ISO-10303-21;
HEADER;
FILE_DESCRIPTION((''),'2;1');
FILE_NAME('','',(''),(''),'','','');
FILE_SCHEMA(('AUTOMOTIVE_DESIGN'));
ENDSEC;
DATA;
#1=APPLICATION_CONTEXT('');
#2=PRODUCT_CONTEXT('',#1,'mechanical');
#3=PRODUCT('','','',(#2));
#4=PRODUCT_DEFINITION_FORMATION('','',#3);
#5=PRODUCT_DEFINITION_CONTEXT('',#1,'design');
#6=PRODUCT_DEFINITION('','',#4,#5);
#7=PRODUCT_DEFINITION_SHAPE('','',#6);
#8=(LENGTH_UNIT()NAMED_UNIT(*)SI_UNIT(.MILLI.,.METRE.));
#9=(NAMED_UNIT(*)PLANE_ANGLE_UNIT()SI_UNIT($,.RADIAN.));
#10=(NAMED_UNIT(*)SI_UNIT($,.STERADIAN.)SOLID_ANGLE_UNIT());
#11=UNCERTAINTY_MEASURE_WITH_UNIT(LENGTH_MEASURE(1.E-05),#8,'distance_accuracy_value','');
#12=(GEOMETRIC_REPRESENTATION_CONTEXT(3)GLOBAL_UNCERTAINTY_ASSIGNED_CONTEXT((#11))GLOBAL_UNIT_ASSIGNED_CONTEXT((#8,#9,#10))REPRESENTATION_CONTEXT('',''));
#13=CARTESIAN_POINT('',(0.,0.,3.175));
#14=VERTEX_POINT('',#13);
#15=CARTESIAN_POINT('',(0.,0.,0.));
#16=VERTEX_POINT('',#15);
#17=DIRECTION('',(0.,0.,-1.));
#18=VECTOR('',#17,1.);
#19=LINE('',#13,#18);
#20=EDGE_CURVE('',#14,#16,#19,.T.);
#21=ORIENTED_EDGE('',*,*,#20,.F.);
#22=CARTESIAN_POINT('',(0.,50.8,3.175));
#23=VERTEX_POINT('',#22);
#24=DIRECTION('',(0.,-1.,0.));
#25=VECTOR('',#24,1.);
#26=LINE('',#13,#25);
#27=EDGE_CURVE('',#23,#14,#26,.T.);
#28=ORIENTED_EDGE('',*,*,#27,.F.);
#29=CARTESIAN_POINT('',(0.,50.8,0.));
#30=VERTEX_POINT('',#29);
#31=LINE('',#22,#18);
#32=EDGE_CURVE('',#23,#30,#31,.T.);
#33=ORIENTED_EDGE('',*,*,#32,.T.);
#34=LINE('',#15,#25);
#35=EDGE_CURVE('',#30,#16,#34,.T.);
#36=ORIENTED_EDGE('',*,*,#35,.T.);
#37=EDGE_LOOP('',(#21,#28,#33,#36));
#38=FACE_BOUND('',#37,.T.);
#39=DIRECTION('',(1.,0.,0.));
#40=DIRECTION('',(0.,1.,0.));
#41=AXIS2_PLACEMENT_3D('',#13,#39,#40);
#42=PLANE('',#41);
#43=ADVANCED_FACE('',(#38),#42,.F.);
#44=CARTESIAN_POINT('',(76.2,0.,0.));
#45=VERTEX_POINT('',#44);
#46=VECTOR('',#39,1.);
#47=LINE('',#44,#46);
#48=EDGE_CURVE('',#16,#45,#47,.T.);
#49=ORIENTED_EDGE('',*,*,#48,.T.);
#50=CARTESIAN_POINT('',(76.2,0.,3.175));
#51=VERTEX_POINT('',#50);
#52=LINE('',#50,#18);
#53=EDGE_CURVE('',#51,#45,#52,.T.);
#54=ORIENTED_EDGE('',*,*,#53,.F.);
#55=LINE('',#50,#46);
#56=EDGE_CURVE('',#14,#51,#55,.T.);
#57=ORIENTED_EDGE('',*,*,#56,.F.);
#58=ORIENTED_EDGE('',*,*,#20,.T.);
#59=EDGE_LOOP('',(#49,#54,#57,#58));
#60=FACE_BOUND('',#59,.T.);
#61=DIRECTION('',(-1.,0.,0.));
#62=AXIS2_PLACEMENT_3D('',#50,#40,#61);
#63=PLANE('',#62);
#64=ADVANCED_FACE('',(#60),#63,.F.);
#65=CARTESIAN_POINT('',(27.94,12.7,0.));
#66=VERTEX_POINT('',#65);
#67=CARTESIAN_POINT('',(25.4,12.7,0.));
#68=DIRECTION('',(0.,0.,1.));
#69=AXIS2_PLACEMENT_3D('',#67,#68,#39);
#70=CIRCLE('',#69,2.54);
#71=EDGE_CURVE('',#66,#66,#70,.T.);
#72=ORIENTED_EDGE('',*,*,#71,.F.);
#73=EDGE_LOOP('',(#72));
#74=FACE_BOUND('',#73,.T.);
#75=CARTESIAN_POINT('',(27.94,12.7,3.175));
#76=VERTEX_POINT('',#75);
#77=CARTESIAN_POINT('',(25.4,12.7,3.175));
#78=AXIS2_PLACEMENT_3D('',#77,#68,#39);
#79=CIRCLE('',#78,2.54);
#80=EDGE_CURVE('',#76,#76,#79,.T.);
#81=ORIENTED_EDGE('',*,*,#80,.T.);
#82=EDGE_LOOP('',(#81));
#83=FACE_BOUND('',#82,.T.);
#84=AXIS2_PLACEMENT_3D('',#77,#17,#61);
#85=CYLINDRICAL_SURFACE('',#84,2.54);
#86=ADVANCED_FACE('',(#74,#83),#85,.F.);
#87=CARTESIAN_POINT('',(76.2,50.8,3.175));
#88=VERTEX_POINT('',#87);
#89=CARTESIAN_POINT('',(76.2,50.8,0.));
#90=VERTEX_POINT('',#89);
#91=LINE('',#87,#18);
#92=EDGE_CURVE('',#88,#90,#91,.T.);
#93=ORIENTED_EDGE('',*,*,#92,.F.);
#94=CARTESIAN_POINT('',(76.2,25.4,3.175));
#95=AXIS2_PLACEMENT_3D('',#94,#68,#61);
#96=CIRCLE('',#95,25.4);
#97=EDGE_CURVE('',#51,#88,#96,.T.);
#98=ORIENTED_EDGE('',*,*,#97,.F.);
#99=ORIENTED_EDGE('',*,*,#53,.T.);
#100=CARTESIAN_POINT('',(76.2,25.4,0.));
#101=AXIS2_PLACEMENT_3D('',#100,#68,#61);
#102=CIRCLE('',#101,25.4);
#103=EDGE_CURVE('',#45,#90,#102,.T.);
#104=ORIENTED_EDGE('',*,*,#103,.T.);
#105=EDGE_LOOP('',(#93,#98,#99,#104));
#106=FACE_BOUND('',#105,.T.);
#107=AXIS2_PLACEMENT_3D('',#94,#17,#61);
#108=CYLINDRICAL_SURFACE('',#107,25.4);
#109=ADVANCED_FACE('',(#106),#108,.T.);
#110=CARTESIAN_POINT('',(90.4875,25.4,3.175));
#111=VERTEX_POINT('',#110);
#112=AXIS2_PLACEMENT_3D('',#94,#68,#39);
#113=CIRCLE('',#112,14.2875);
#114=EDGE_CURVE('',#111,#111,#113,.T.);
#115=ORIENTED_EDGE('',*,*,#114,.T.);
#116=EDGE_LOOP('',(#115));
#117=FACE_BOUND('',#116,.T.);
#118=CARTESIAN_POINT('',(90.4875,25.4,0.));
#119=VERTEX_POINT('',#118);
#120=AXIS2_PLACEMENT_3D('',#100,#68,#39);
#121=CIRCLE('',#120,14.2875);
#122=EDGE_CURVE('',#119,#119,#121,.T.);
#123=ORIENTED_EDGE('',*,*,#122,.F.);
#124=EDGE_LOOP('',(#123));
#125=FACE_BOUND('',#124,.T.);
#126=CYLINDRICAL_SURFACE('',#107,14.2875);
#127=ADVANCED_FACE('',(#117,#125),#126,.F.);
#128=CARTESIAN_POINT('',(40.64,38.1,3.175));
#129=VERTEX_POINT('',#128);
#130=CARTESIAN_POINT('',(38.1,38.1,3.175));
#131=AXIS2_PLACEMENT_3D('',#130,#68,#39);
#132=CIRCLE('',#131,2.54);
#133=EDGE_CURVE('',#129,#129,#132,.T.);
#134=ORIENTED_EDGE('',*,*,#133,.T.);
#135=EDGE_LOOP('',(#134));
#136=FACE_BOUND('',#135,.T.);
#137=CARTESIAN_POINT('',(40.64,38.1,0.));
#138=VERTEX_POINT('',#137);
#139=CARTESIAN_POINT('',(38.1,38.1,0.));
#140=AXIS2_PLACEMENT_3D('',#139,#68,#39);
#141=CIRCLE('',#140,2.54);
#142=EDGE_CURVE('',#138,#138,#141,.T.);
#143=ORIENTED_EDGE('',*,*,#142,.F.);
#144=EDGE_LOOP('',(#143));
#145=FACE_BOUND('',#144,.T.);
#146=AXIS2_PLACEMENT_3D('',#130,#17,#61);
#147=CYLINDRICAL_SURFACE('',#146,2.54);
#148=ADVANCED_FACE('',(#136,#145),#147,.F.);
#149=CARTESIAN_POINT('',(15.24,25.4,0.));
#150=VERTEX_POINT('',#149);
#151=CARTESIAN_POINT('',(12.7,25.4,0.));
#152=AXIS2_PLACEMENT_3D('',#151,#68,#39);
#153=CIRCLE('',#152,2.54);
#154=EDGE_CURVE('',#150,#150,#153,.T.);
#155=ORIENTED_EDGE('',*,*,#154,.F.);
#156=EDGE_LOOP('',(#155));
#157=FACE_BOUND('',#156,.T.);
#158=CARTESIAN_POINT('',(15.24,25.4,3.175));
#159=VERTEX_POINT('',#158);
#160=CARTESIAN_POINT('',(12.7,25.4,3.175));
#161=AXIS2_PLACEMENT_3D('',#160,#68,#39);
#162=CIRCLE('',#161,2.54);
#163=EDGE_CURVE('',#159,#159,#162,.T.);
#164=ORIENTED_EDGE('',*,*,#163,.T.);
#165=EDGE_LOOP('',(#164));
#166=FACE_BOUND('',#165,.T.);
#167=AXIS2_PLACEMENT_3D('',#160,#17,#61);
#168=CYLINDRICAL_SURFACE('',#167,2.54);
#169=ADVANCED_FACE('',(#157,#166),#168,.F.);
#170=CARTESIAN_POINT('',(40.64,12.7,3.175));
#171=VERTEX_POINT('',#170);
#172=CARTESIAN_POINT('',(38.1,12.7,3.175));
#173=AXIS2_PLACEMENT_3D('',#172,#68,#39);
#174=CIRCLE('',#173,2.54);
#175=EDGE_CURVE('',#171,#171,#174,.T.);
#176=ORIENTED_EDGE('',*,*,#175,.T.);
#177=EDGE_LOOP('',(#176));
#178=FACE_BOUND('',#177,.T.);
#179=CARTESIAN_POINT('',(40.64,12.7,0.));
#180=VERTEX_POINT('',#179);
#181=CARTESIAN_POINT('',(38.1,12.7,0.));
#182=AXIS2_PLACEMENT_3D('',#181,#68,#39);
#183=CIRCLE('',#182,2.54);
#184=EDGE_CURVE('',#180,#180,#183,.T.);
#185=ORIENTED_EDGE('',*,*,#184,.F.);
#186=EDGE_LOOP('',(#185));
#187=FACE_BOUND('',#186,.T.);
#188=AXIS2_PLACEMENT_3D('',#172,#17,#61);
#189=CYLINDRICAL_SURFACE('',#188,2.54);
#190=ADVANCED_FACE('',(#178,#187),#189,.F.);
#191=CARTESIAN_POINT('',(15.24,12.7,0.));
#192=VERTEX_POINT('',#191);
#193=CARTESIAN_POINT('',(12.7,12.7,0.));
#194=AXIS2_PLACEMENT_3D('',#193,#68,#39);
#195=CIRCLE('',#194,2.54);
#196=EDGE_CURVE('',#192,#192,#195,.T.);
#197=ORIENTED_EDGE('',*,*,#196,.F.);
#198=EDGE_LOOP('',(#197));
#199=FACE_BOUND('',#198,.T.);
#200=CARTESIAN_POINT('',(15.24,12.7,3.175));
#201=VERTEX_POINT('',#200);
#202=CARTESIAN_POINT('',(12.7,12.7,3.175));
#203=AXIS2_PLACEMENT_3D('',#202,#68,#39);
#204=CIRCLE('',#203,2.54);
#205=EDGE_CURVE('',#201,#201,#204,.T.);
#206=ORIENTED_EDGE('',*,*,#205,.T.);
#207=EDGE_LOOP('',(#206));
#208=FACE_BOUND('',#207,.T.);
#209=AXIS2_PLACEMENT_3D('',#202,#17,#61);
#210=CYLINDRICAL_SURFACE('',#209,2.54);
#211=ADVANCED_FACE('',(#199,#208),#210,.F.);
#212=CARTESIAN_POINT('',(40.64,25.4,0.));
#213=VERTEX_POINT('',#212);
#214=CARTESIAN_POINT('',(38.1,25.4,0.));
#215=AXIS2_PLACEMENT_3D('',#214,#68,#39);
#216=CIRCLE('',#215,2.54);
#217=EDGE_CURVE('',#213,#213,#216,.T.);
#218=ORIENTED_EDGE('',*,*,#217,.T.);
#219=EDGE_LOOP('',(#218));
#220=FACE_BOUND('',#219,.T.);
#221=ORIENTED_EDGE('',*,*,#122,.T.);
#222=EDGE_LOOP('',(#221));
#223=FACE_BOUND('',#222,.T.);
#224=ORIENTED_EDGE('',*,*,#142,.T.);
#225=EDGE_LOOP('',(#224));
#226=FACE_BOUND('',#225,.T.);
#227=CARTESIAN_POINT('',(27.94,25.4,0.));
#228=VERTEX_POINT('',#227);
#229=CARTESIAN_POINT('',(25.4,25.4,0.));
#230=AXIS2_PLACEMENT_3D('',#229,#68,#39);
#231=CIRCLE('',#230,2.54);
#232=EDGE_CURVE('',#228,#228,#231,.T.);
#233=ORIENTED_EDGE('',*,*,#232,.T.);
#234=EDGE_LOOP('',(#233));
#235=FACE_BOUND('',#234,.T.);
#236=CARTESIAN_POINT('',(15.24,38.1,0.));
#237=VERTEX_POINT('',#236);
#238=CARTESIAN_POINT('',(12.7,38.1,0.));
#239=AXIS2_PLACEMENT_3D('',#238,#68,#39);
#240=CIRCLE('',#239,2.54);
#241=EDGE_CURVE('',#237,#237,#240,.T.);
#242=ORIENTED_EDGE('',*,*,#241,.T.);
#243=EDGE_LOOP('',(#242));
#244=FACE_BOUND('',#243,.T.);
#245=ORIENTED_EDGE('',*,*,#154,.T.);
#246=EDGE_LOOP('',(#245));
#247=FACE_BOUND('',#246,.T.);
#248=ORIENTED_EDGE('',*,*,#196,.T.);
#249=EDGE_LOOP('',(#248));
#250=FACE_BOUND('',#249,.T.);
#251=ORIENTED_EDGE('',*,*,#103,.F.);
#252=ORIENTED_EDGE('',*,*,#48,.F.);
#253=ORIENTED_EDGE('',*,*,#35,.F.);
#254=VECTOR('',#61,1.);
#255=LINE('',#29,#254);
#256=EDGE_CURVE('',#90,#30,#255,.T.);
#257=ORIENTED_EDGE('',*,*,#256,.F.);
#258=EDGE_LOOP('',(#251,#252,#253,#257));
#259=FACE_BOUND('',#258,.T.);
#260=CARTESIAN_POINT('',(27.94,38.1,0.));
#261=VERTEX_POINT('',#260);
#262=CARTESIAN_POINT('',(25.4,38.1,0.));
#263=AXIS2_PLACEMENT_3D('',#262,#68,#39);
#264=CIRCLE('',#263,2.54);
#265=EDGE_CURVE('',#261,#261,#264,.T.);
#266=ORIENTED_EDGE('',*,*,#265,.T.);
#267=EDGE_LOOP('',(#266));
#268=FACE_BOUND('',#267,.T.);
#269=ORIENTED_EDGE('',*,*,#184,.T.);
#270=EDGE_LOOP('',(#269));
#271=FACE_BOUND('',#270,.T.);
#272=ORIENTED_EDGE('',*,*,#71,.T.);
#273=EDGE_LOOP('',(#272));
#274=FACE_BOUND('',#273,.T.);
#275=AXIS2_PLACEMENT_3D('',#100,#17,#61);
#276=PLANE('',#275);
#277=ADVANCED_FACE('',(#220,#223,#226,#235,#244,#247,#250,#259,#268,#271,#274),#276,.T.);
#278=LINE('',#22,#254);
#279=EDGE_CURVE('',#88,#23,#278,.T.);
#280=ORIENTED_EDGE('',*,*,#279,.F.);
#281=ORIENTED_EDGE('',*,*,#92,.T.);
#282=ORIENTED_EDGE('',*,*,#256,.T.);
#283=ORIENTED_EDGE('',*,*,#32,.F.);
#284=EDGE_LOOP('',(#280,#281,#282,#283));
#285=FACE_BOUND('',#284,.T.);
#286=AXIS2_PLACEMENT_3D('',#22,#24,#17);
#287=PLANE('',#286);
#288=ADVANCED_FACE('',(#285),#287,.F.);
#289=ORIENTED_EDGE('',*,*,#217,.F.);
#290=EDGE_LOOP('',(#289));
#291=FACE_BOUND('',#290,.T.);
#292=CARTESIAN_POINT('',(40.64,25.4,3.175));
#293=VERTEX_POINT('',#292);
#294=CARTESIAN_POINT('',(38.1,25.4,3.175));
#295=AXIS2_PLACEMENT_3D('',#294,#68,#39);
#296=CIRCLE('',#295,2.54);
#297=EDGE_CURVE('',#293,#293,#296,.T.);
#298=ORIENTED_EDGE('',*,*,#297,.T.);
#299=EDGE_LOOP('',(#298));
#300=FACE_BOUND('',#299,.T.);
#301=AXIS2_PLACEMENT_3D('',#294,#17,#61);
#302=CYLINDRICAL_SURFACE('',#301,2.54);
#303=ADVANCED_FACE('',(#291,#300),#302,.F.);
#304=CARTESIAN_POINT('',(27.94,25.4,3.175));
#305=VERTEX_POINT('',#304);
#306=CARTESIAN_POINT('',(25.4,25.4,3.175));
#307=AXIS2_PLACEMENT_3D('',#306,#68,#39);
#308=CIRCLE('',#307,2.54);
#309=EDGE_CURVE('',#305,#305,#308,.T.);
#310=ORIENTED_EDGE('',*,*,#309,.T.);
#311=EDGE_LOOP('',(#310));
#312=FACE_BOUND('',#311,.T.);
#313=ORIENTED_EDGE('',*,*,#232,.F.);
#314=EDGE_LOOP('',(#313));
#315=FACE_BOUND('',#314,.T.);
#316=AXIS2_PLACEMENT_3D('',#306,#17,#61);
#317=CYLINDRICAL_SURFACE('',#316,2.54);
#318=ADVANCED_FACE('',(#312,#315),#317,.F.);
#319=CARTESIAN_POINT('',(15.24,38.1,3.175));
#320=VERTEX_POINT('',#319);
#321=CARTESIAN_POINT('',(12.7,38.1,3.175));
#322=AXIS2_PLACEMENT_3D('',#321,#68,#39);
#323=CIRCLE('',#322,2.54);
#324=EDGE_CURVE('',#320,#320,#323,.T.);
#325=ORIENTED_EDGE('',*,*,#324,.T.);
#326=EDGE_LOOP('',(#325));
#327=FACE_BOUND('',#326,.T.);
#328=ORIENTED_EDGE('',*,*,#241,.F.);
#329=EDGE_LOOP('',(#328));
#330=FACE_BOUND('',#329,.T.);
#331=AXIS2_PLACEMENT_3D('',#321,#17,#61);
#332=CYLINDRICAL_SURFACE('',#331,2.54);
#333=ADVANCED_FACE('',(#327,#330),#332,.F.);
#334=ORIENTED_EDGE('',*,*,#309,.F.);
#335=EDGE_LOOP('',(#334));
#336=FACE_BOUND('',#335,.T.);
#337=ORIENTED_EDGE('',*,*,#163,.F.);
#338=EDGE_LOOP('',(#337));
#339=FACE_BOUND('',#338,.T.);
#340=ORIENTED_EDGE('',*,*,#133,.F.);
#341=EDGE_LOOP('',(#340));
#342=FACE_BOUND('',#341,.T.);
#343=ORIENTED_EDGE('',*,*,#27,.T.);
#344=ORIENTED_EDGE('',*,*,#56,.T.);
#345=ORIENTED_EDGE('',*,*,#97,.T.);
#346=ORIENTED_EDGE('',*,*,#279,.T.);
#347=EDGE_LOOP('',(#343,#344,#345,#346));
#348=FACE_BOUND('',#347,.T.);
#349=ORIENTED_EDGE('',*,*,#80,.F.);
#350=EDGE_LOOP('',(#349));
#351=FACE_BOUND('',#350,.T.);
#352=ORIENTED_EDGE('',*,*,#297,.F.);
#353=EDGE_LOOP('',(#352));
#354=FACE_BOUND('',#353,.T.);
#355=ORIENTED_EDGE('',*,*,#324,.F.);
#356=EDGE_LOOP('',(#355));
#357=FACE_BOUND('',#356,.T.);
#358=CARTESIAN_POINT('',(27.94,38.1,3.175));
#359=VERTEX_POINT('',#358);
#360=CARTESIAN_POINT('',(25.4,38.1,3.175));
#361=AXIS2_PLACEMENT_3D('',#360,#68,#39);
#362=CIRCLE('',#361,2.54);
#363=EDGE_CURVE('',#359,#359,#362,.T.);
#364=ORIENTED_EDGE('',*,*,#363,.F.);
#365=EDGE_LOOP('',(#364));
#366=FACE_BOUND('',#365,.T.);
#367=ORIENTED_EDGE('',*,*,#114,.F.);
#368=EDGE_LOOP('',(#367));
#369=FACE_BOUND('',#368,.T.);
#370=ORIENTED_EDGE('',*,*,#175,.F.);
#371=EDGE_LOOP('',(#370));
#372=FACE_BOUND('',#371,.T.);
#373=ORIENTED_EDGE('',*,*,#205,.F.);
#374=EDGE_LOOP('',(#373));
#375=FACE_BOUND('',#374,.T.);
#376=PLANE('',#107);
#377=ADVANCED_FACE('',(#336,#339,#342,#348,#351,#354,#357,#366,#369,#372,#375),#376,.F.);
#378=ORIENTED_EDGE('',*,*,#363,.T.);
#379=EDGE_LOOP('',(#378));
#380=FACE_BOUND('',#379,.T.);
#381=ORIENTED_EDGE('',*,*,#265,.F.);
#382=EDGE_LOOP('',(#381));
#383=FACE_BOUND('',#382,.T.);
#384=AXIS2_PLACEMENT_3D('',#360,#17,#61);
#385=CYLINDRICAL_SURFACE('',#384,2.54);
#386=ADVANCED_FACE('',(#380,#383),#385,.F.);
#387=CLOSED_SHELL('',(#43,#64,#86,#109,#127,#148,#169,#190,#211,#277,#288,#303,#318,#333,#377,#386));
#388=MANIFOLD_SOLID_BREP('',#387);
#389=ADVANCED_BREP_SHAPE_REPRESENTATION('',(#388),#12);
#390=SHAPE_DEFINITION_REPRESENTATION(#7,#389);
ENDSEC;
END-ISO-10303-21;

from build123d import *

# Parameters (mm, degrees)
SKETCH1_R           = 2.54
SKETCH1_R_2         = 14.2875
BOSS_EXTRUDE1_DEPTH = 3.175


with BuildPart() as part:
    # Sketch1 → Boss-Extrude1 (new body)
    with BuildSketch(Plane.XY):
        with BuildLine():
            Line((0, 0), (0, 50.8))
            Line((0, 50.8), (76.2, 50.8))
            ThreePointArc((76.2, 50.8), (101.6, 25.4), (76.2, 0))
            Line((76.2, 0), (0, 0))
        make_face()
        with Locations((12.7, 38.1)):
            Circle(SKETCH1_R, mode=Mode.SUBTRACT)
        with Locations((25.4, 38.1)):
            Circle(SKETCH1_R, mode=Mode.SUBTRACT)
        with Locations((38.1, 38.1)):
            Circle(SKETCH1_R, mode=Mode.SUBTRACT)
        with Locations((25.4, 25.4)):
            Circle(SKETCH1_R, mode=Mode.SUBTRACT)
        with Locations((38.1, 25.4)):
            Circle(SKETCH1_R, mode=Mode.SUBTRACT)
        with Locations((25.4, 12.7)):
            Circle(SKETCH1_R, mode=Mode.SUBTRACT)
        with Locations((38.1, 12.7)):
            Circle(SKETCH1_R, mode=Mode.SUBTRACT)
        with Locations((12.7, 25.4)):
            Circle(SKETCH1_R, mode=Mode.SUBTRACT)
        with Locations((12.7, 12.7)):
            Circle(SKETCH1_R, mode=Mode.SUBTRACT)
        with Locations((76.2, 25.4)):
            Circle(SKETCH1_R_2, mode=Mode.SUBTRACT)
    extrude(amount=BOSS_EXTRUDE1_DEPTH)


solid = part.part
